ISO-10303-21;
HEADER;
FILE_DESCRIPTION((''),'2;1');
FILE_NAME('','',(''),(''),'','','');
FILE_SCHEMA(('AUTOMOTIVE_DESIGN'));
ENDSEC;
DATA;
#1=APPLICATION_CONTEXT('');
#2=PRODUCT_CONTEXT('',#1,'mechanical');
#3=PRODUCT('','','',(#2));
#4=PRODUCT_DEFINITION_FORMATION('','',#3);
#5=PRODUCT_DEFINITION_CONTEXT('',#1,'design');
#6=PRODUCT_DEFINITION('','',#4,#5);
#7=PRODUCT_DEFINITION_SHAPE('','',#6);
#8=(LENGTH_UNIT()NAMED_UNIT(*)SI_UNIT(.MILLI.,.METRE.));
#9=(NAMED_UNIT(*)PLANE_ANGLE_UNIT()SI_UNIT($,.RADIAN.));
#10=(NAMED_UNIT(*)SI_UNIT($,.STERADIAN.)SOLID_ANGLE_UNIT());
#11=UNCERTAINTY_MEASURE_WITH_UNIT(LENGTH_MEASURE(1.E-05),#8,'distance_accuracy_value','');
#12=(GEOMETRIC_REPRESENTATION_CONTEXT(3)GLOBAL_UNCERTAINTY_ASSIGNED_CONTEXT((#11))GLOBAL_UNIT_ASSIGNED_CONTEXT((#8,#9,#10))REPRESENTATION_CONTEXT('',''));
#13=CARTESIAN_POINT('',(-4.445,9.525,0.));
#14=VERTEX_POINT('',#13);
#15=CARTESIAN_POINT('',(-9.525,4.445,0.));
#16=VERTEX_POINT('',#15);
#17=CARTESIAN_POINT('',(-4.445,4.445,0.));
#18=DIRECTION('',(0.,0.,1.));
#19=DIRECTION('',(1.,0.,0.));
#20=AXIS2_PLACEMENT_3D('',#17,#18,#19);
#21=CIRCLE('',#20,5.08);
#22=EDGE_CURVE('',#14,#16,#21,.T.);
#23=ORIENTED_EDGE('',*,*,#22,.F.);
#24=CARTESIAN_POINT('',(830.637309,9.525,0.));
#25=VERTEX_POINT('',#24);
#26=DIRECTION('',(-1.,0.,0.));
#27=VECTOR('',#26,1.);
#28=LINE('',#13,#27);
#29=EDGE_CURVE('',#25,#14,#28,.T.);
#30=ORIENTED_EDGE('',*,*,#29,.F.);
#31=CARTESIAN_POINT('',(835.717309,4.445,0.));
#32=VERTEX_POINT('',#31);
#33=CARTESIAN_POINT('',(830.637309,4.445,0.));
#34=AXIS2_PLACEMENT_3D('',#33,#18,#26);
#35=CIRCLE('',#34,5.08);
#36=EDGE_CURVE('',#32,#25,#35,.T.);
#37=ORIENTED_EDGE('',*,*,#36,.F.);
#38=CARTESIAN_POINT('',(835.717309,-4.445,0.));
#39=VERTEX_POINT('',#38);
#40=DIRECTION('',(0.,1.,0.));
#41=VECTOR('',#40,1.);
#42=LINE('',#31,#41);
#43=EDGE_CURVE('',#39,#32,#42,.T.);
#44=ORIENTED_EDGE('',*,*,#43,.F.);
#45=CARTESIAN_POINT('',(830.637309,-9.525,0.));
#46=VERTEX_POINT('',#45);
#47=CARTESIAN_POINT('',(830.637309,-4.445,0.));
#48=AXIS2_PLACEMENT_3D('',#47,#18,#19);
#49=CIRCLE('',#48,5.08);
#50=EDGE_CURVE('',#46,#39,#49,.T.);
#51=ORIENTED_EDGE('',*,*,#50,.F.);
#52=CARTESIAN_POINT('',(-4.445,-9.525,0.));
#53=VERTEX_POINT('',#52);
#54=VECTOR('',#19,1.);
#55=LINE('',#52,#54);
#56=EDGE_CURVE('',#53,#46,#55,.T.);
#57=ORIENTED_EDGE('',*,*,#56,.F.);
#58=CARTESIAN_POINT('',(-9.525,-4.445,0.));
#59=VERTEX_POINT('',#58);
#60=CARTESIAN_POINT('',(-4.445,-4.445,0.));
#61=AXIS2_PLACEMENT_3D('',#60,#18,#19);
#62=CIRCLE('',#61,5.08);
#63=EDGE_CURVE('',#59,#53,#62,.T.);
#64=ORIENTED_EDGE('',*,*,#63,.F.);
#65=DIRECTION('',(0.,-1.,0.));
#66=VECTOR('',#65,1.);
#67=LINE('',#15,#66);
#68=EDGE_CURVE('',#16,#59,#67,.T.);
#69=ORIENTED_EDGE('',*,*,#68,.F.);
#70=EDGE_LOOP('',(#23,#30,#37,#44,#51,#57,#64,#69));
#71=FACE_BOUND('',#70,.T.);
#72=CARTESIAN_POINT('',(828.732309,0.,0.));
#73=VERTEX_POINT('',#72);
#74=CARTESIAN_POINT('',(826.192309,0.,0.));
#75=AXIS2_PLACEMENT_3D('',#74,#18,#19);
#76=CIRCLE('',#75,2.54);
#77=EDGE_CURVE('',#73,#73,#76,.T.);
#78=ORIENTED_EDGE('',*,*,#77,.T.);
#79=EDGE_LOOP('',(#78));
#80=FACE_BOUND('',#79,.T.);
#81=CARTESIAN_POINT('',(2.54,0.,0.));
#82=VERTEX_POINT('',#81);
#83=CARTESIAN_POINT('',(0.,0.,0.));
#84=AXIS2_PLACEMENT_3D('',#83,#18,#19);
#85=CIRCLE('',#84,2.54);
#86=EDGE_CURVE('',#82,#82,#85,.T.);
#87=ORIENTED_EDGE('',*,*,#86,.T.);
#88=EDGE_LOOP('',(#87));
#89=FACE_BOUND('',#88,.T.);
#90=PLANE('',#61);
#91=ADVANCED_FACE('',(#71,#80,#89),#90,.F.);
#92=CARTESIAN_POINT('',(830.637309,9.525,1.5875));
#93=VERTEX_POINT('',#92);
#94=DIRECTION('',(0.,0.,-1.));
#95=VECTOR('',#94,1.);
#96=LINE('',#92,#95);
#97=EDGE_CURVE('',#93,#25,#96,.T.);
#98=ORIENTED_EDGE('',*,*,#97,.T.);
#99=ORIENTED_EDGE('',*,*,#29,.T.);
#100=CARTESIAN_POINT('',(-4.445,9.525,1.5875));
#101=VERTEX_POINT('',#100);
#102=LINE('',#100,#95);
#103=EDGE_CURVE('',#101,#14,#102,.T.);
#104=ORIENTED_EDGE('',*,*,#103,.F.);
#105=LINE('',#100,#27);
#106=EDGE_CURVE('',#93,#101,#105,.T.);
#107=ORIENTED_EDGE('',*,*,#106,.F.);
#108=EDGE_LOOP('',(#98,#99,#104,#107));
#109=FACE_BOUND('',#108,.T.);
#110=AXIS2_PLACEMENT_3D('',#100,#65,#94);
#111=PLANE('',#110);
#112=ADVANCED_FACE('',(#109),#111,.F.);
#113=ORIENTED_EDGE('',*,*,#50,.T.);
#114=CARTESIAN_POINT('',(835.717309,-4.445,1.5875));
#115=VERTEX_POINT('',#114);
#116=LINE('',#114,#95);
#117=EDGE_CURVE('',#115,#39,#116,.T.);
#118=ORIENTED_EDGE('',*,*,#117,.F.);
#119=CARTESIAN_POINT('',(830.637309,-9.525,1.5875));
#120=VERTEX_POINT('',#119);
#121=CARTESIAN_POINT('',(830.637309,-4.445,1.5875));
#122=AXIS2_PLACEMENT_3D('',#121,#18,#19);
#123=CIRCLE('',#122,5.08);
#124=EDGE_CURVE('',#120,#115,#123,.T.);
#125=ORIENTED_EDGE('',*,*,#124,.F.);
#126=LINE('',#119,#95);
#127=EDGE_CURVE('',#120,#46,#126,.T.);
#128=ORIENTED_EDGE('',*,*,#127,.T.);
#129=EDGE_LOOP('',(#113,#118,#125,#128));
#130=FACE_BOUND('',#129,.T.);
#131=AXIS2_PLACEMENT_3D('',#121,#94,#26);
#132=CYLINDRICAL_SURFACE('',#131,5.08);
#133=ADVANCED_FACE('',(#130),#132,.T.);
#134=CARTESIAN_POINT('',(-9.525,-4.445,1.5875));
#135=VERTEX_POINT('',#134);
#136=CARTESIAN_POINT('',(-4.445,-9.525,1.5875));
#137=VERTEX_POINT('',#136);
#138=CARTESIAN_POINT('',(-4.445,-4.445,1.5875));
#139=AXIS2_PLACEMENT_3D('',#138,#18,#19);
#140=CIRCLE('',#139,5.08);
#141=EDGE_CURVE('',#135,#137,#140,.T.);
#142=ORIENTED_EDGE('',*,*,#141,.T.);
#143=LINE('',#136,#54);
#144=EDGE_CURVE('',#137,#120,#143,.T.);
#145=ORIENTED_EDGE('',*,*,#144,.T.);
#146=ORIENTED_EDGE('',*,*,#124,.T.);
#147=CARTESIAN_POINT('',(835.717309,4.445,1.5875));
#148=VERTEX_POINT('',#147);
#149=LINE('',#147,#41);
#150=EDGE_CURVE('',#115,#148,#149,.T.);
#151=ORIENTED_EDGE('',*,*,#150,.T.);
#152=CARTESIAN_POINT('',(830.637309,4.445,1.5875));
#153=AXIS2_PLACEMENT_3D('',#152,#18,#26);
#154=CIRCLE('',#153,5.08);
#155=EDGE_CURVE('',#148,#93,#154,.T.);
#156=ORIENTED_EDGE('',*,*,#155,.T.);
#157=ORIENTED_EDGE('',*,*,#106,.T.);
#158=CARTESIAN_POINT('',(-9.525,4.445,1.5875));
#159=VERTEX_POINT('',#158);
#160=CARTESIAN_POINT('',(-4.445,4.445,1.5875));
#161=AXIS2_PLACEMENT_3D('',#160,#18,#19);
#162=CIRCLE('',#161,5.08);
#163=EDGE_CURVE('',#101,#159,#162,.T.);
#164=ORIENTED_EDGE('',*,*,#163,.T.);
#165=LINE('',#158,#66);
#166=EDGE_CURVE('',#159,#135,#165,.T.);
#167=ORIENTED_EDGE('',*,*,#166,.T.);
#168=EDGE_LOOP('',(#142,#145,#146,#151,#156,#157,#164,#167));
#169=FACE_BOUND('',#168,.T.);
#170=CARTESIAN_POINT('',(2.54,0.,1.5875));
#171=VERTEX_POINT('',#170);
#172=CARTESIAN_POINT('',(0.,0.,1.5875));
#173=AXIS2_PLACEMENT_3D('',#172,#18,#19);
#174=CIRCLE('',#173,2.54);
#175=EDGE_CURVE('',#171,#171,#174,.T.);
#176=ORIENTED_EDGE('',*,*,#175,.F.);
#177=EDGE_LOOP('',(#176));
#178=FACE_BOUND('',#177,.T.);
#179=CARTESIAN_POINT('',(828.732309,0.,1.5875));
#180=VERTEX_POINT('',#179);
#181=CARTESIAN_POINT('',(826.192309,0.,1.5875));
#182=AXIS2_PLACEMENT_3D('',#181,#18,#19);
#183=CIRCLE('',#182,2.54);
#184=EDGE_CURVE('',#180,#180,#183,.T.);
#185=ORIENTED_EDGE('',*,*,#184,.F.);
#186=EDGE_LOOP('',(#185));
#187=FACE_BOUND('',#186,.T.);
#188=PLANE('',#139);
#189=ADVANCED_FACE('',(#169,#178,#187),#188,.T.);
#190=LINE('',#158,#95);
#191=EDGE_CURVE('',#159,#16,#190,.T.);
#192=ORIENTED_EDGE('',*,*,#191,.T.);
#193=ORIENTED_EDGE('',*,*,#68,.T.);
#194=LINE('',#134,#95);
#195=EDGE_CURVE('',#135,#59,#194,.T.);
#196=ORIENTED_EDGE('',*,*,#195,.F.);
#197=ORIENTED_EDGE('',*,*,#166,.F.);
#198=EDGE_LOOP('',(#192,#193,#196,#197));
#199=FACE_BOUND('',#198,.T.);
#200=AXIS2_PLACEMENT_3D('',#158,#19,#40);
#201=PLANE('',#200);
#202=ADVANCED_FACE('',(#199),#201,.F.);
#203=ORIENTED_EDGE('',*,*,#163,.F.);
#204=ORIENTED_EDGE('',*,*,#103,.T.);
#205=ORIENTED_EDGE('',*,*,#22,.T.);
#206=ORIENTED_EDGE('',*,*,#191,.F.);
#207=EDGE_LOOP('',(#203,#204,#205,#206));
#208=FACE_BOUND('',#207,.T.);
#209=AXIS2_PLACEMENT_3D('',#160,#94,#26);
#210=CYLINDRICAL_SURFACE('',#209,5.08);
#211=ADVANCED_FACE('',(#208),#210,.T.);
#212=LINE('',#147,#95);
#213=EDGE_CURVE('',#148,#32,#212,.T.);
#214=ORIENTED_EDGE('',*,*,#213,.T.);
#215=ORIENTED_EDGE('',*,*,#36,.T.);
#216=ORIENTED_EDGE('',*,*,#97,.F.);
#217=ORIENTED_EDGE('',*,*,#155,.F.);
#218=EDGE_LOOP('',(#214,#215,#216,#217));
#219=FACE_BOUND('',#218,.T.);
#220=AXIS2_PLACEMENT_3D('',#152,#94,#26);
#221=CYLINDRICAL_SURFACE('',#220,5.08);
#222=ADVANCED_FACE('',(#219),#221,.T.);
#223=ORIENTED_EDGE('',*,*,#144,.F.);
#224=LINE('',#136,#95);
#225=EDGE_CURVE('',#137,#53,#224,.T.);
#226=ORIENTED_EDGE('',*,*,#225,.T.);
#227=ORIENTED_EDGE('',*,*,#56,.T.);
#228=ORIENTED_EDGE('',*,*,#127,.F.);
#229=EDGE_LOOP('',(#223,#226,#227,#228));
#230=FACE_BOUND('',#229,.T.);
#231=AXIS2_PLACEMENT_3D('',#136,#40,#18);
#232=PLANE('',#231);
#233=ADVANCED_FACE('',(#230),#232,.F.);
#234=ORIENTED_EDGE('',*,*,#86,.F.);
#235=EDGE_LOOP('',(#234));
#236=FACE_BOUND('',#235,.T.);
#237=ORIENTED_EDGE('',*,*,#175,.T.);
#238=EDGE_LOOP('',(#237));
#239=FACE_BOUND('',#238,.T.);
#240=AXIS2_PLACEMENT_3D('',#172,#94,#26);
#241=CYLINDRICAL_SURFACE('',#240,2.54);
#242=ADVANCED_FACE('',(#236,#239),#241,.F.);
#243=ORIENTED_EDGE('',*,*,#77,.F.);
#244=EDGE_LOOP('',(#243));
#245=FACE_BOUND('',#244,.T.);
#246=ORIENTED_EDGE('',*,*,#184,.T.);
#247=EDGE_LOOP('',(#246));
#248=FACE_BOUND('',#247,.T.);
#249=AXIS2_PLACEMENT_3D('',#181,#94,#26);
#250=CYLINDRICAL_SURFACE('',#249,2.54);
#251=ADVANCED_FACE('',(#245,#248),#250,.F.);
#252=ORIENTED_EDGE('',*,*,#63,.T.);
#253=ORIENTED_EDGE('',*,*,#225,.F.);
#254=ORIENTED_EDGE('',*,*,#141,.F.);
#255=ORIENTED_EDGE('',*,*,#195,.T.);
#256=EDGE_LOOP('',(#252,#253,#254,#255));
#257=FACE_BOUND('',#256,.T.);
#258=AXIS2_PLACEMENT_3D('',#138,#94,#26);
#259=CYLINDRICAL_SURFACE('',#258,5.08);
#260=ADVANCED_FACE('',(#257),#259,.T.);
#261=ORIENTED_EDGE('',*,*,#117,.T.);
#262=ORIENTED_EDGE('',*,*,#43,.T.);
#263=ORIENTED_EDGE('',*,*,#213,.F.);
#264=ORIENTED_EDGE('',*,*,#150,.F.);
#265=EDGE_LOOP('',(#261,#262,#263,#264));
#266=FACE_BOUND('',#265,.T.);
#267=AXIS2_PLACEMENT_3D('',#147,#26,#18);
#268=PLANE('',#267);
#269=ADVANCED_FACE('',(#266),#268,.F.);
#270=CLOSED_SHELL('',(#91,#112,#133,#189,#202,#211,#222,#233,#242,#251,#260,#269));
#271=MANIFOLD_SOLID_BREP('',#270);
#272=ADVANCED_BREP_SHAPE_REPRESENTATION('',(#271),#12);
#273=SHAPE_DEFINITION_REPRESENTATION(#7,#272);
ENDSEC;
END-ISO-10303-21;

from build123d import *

# Parameters (mm, degrees)
SKETCH1_R           = 2.54
BOSS_EXTRUDE1_DEPTH = 1.5875


with BuildPart() as part:
    # Sketch1 → Boss-Extrude1 (new body)
    with BuildSketch(Plane.XY):
        with BuildLine():
            Line((-4.445, 9.525), (830.637309004, 9.525))
            ThreePointArc((830.637309004, 9.525), (834.229411452, 8.037102448), (835.717309004, 4.445))
            Line((835.717309004, 4.445), (835.717309004, -4.445))
            ThreePointArc((835.717309004, -4.445), (834.229411452, -8.037102448), (830.637309004, -9.525))
            Line((830.637309004, -9.525), (-4.445, -9.525))
            ThreePointArc((-4.445, -9.525), (-8.037102448, -8.037102448), (-9.525, -4.445))
            Line((-9.525, -4.445), (-9.525, 4.445))
            ThreePointArc((-9.525, 4.445), (-8.037102448, 8.037102448), (-4.445, 9.525))
        make_face()
        Circle(SKETCH1_R, mode=Mode.SUBTRACT)
        with Locations((826.192309004, 0)):
            Circle(SKETCH1_R, mode=Mode.SUBTRACT)
    extrude(amount=BOSS_EXTRUDE1_DEPTH)


solid = part.part
